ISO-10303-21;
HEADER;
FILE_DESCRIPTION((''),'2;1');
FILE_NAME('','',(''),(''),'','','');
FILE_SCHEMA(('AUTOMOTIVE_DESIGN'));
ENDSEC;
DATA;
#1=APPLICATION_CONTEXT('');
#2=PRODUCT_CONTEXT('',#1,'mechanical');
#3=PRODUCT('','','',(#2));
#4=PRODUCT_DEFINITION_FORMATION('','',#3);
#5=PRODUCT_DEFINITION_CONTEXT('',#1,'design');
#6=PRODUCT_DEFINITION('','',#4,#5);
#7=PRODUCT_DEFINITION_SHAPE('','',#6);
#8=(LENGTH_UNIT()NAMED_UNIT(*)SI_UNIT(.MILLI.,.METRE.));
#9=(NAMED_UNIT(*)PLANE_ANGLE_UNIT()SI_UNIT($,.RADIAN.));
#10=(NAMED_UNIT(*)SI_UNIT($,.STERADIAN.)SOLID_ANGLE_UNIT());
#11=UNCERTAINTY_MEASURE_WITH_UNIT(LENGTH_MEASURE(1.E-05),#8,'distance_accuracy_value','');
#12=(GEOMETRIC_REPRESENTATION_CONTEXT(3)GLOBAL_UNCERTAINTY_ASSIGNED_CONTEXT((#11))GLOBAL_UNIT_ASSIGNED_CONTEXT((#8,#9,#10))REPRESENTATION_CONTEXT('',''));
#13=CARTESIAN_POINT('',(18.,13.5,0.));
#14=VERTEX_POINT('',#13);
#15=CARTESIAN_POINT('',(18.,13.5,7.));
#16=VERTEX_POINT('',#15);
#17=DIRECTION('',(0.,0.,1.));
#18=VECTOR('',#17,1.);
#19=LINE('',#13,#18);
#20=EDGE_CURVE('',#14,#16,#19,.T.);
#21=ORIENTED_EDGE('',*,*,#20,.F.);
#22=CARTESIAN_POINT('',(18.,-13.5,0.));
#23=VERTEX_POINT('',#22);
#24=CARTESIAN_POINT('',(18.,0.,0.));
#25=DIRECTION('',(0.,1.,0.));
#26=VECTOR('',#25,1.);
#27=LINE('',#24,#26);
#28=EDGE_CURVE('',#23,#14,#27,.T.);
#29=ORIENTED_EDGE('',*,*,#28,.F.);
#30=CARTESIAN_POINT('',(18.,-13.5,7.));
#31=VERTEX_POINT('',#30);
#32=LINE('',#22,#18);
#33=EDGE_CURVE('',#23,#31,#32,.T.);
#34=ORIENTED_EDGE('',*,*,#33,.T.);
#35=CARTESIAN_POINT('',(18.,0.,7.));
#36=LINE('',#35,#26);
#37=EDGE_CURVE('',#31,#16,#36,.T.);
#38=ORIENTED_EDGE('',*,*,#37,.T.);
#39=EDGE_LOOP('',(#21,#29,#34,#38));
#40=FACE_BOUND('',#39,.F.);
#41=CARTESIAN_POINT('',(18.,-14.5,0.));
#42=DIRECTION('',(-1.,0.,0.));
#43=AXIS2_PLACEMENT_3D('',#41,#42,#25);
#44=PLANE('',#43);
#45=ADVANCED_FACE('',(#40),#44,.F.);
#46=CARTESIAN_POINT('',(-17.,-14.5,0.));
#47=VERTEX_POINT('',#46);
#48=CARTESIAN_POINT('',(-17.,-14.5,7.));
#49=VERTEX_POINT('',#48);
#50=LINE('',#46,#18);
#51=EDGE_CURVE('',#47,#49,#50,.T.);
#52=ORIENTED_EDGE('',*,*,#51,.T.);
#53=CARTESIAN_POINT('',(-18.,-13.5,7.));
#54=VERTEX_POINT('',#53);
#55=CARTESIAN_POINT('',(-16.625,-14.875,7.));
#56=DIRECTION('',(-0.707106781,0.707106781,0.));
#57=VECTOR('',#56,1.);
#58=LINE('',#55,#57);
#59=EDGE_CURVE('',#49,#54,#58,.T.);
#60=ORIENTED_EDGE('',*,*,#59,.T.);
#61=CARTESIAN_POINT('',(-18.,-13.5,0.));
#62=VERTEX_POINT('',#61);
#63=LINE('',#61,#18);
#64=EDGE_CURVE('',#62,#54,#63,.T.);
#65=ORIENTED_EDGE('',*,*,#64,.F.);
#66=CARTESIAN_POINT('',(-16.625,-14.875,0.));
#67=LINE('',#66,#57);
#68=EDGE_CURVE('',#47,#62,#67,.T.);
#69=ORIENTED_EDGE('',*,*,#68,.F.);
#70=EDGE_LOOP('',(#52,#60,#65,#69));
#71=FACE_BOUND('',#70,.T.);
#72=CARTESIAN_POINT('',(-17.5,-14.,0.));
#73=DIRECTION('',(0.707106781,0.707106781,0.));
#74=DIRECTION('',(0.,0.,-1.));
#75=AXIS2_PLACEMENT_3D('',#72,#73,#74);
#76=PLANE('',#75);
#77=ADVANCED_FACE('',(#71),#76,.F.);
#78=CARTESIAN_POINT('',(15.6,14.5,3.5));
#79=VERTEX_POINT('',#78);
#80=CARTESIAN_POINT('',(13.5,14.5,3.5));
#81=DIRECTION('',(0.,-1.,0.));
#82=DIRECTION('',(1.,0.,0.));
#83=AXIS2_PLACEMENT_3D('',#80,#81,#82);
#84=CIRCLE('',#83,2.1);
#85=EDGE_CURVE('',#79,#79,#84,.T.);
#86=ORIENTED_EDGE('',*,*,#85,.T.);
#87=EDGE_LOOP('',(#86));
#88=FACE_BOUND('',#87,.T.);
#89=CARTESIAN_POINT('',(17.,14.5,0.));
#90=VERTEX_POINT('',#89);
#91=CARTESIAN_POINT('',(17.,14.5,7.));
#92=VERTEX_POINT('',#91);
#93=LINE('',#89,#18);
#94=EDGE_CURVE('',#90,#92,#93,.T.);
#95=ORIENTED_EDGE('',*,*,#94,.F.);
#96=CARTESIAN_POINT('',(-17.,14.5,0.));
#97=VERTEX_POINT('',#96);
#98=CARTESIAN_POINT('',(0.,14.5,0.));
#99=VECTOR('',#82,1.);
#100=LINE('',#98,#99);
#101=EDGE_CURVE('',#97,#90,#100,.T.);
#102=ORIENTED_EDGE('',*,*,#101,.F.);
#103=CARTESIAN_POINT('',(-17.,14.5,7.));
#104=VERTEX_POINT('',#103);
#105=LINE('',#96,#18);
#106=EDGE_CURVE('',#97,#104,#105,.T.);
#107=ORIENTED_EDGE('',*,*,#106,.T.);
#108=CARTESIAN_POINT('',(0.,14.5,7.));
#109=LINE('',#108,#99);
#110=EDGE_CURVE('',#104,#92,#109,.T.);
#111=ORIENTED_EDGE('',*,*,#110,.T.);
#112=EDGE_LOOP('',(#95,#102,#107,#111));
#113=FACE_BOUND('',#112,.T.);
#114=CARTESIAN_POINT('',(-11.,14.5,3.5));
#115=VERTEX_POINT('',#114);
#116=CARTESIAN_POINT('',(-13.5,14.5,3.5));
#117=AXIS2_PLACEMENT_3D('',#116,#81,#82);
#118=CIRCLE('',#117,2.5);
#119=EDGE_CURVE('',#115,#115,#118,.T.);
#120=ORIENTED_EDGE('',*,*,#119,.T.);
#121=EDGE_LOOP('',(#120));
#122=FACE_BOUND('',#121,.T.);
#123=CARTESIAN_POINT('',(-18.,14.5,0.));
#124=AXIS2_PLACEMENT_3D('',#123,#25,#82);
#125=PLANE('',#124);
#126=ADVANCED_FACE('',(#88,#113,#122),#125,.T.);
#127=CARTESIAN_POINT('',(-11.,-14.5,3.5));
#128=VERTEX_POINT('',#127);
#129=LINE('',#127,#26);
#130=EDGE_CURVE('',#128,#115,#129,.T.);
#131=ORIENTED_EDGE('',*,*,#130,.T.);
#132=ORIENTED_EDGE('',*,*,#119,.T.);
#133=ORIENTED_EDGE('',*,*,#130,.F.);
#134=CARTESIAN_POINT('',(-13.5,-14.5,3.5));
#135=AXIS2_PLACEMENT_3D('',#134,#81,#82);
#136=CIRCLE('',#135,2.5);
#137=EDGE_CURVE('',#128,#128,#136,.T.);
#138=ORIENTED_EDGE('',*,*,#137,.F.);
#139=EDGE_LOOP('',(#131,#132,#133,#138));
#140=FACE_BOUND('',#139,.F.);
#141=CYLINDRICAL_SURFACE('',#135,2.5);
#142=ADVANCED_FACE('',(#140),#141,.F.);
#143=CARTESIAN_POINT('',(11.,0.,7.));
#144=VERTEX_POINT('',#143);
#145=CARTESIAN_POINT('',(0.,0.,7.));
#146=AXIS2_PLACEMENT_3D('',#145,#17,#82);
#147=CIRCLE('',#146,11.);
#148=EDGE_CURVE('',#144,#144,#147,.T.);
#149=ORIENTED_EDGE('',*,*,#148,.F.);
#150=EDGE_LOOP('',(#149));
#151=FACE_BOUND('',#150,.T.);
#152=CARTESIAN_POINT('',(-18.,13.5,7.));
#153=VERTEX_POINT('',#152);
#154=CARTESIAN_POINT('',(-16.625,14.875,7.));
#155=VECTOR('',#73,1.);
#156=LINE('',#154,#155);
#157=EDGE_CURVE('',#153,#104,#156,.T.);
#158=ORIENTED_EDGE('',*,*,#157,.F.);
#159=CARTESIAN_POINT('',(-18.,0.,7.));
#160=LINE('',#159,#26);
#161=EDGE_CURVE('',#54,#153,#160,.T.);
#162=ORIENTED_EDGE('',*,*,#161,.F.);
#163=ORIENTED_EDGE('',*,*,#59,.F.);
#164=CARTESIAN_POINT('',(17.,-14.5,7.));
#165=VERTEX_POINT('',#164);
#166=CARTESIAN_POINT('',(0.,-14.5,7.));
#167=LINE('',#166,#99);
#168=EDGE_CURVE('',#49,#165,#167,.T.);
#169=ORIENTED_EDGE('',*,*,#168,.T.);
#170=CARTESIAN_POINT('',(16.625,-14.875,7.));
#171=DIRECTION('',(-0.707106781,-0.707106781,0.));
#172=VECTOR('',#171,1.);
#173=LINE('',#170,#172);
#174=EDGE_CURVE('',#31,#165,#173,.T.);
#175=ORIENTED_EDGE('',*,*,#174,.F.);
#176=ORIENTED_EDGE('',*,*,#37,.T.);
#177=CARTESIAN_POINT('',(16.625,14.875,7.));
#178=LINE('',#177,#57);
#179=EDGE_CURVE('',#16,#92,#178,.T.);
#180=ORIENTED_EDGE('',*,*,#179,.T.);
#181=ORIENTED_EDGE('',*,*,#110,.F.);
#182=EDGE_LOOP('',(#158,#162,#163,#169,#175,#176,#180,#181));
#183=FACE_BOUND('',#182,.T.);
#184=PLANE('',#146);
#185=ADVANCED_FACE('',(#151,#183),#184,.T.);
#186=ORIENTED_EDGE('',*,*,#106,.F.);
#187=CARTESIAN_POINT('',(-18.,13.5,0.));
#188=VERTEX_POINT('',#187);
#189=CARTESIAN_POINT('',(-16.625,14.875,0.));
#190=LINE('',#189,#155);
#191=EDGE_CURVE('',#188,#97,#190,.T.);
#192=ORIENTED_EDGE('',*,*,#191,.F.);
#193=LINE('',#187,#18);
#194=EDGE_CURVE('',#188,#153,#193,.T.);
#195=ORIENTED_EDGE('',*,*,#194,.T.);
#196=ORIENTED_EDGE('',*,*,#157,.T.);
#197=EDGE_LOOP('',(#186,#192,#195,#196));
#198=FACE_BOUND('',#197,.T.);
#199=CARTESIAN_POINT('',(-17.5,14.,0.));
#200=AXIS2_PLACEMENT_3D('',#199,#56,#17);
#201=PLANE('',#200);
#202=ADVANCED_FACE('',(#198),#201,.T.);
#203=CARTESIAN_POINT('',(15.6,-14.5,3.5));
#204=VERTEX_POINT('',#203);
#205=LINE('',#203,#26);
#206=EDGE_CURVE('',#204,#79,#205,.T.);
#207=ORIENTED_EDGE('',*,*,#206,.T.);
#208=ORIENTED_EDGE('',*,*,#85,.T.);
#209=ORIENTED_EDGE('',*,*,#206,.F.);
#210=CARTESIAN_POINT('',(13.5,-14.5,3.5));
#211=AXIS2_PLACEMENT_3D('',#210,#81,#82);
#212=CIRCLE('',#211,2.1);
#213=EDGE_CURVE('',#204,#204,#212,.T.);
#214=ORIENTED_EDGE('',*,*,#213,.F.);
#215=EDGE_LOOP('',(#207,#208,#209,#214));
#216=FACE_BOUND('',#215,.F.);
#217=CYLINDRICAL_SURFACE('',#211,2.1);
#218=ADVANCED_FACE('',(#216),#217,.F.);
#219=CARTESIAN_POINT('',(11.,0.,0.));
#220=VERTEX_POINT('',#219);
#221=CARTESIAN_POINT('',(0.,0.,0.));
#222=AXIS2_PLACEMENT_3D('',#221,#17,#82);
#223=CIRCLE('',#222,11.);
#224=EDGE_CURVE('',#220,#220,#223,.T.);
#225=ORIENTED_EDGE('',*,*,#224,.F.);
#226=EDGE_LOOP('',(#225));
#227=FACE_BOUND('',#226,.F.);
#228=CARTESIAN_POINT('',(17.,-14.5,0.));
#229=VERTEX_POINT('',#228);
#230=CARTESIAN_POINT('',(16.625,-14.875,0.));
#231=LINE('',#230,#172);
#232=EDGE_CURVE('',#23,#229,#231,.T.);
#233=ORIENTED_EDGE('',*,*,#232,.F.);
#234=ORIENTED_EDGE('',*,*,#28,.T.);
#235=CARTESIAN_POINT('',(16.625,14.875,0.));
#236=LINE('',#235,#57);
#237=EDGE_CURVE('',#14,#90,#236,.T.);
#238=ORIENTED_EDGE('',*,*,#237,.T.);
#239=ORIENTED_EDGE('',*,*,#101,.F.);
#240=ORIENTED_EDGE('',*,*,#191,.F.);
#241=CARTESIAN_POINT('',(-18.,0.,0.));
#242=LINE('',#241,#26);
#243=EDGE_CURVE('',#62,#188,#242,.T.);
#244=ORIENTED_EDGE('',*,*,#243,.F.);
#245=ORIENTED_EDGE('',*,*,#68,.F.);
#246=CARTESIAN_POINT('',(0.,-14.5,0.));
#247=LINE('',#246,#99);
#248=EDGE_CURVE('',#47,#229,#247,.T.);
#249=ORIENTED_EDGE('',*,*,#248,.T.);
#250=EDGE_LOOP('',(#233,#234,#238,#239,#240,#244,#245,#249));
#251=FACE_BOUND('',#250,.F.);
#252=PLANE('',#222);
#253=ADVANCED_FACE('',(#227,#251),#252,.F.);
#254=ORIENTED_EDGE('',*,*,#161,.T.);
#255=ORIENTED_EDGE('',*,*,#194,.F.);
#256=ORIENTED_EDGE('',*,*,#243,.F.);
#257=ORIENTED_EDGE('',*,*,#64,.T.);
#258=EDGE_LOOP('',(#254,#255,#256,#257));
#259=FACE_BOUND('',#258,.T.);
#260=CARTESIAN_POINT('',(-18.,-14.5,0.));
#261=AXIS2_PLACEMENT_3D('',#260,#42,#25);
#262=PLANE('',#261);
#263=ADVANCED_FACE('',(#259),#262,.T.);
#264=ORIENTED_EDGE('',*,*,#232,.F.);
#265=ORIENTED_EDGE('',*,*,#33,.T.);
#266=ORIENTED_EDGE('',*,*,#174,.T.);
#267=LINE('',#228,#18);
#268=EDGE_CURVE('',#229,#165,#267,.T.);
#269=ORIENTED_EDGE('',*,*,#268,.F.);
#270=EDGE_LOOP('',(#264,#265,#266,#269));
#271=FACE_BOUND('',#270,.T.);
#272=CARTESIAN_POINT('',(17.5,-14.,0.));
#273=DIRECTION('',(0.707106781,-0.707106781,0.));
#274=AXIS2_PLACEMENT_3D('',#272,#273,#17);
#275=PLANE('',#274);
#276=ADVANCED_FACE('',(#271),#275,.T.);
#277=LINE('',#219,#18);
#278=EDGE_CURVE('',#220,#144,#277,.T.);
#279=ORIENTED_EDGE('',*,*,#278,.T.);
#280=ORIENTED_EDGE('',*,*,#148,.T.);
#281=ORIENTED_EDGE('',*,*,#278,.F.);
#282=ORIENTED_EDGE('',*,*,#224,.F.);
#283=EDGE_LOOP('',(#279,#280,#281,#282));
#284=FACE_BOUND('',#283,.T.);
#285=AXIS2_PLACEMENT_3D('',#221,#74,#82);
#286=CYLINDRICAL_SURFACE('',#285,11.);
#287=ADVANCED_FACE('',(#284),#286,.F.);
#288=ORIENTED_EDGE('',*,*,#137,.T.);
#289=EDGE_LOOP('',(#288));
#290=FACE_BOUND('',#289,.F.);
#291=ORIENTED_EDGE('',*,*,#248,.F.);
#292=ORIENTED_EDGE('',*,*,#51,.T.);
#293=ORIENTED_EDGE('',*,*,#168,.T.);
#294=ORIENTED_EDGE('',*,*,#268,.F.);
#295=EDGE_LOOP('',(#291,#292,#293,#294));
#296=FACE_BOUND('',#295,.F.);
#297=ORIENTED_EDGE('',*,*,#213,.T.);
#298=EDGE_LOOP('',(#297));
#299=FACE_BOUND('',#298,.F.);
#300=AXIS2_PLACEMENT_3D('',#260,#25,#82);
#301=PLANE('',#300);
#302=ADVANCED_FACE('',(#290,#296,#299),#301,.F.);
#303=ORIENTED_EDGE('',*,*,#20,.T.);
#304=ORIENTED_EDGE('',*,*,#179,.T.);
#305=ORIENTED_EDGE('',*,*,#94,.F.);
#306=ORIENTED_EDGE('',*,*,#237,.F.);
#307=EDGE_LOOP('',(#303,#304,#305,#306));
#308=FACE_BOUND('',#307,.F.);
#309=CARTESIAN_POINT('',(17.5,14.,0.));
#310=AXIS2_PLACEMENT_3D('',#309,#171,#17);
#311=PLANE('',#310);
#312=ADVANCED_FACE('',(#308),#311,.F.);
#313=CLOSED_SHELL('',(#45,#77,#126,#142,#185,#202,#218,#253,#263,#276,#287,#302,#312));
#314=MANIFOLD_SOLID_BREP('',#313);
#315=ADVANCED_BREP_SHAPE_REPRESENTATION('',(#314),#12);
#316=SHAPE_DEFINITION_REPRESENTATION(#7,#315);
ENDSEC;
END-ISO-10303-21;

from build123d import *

# Parameters (mm, degrees)
SKETCH_W        = 36
SKETCH_H        = 29
SKETCH_R        = 11
PAD_DEPTH       = 7
SKETCH001_R     = 2.1
SKETCH001_R_2   = 2.5
POCKET_DEPTH    = 29.001
CHAMFER_SIZE    = 1
CHAMFER001_SIZE = 1
CHAMFER002_SIZE = 1


with BuildPart() as part:
    # Sketch → Pad (new body)
    with BuildSketch(Plane.XY):
        Rectangle(SKETCH_W, SKETCH_H)
        Circle(SKETCH_R, mode=Mode.SUBTRACT)
    extrude(amount=PAD_DEPTH)

    # Sketch001 (on Face3 of Pad) → Pocket (cut, through all)
    with BuildSketch(Plane.XZ.offset(14.5)):
        with Locations((13.5, 3.5)):
            Circle(SKETCH001_R)
        with Locations((-13.5, 3.5)):
            Circle(SKETCH001_R_2)
    extrude(amount=-POCKET_DEPTH, mode=Mode.SUBTRACT)

    # Chamfer
    chamfer_edges = [part.edges().sort_by_distance(p)[0] for p in [
        (18, -14.5, 3.5),
    ]]
    chamfer(chamfer_edges, length=CHAMFER_SIZE)

    # Chamfer001
    chamfer001_edges = [part.edges().sort_by_distance(p)[0] for p in [
        (-18, -14.5, 3.5),
    ]]
    chamfer(chamfer001_edges, length=CHAMFER001_SIZE)

    # Chamfer002
    chamfer002_edges = [part.edges().sort_by_distance(p)[0] for p in [
        (18, 14.5, 3.5),
        (-18, 14.5, 3.5),
    ]]
    chamfer(chamfer002_edges, length=CHAMFER002_SIZE)


solid = part.part
